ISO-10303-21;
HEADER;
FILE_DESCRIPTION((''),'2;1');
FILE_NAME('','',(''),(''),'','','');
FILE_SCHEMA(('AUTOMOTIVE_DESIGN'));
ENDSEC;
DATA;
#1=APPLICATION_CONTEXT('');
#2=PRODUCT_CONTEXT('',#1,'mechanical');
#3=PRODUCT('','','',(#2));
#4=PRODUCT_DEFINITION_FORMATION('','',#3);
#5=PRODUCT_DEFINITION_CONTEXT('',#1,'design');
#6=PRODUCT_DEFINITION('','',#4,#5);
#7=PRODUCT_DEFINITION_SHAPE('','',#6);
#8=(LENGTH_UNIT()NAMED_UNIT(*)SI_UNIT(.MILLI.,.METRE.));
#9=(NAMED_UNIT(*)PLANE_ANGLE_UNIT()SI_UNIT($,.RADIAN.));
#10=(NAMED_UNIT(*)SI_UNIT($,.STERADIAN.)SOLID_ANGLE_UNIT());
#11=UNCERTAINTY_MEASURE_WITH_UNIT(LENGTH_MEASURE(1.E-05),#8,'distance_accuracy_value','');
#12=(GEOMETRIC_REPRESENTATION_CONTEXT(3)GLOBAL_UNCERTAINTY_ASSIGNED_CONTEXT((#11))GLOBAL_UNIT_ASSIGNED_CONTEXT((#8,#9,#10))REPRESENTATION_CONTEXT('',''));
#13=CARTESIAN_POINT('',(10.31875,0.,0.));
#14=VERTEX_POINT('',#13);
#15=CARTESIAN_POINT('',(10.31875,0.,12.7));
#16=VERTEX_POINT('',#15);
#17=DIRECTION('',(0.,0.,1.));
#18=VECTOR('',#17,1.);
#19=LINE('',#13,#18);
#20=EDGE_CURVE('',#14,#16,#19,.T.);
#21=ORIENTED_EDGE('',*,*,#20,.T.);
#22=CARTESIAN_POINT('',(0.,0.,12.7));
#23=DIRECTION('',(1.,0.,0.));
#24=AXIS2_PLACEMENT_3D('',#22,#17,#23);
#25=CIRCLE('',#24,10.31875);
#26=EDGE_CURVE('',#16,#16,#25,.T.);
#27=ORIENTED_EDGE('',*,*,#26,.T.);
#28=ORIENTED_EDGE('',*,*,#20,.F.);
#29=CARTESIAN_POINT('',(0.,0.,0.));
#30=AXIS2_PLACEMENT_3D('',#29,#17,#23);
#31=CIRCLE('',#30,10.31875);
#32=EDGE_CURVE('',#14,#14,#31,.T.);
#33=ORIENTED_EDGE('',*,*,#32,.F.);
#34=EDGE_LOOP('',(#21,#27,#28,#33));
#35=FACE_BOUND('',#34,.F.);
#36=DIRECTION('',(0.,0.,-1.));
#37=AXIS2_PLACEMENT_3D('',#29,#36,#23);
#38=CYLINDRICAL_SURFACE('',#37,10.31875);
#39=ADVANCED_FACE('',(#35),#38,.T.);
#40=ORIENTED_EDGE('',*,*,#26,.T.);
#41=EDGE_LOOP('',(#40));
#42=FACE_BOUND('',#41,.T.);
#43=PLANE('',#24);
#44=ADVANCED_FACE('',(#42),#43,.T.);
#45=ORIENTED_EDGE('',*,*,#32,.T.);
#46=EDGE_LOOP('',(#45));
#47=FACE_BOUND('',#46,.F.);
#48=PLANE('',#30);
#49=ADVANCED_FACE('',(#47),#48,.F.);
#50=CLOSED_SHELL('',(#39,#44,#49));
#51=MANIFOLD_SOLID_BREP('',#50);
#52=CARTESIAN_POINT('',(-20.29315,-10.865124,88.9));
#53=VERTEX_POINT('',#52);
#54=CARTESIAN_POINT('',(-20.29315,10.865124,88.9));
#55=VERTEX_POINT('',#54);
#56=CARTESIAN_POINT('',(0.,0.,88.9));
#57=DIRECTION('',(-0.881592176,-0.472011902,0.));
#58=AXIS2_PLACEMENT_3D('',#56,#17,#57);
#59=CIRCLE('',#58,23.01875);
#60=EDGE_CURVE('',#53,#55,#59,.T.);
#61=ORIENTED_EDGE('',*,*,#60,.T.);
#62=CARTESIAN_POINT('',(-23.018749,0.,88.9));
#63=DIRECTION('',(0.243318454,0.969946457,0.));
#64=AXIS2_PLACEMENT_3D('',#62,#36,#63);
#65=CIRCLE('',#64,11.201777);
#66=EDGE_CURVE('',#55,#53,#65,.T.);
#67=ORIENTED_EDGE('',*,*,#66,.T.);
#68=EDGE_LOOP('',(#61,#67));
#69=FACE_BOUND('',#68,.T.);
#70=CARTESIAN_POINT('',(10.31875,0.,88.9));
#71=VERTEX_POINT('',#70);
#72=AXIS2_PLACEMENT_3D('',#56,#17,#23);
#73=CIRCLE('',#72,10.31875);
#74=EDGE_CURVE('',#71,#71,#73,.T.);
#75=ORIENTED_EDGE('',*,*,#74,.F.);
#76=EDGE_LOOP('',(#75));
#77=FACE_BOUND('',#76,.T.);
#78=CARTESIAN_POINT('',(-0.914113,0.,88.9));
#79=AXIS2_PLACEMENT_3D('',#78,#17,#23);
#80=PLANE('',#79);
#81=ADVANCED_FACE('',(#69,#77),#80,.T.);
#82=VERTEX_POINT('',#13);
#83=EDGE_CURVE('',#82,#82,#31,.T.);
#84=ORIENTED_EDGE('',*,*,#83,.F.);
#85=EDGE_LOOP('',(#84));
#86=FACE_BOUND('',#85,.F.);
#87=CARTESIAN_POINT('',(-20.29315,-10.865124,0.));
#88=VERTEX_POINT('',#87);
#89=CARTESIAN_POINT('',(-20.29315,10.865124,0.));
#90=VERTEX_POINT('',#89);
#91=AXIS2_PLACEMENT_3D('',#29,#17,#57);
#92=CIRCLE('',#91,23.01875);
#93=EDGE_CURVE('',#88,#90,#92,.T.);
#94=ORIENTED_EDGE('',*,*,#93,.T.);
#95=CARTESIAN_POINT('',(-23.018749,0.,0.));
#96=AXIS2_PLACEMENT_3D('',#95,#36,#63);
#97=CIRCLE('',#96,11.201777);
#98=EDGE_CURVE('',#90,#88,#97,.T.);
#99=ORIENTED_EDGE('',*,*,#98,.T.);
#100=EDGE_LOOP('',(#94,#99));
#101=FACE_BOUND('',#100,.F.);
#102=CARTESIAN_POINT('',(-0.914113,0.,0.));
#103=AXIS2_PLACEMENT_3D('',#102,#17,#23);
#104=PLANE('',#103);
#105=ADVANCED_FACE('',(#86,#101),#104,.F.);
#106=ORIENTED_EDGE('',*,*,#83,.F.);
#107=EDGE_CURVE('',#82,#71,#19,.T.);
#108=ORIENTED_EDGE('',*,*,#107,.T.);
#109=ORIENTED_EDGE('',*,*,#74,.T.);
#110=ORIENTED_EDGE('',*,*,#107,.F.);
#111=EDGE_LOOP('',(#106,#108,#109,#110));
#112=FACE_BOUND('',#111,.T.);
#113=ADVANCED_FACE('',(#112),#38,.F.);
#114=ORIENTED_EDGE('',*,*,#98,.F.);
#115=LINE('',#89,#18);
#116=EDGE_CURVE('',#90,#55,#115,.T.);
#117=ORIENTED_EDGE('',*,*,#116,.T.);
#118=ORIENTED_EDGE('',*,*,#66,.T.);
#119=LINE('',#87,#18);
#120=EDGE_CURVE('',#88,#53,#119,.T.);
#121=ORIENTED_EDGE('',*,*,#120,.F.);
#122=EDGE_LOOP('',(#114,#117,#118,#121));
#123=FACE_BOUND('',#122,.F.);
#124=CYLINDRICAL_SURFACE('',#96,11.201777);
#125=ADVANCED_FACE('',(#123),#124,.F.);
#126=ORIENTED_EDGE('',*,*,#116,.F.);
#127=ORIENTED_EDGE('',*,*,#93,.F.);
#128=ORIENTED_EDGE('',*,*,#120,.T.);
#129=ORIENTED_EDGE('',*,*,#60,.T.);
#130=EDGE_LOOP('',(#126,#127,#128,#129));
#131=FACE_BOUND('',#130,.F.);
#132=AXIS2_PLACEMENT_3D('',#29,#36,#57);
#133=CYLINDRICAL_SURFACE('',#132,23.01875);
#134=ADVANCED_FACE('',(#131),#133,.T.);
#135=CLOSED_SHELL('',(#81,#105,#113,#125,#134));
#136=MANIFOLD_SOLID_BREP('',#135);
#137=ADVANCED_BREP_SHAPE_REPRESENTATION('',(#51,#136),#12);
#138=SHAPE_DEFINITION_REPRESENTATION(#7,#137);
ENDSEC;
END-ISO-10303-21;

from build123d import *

# Parameters (mm, degrees)
F0_R     = 10.31875
F1_DEPTH = 12.7
F2_DEPTH = 88.9


with BuildPart() as f1:
    # F0 (on Top) → F1 (new body)
    with BuildSketch(Plane.XY):
        Circle(F0_R)
    extrude(amount=F1_DEPTH)


with BuildPart() as f2:
    # F0 (on Top) → F2 (new body)
    with BuildSketch(Plane.XY):
        with BuildLine():
            ThreePointArc((-20.29315, 10.865124), (-11.816972, 0), (-20.29315, -10.865124))
            ThreePointArc((-20.29315, -10.865124), (23.01875, 0), (-20.29315, 10.865124))
        make_face()
        Circle(F0_R, mode=Mode.SUBTRACT)
    extrude(amount=F2_DEPTH)


solid = Compound([f1.part, f2.part])
